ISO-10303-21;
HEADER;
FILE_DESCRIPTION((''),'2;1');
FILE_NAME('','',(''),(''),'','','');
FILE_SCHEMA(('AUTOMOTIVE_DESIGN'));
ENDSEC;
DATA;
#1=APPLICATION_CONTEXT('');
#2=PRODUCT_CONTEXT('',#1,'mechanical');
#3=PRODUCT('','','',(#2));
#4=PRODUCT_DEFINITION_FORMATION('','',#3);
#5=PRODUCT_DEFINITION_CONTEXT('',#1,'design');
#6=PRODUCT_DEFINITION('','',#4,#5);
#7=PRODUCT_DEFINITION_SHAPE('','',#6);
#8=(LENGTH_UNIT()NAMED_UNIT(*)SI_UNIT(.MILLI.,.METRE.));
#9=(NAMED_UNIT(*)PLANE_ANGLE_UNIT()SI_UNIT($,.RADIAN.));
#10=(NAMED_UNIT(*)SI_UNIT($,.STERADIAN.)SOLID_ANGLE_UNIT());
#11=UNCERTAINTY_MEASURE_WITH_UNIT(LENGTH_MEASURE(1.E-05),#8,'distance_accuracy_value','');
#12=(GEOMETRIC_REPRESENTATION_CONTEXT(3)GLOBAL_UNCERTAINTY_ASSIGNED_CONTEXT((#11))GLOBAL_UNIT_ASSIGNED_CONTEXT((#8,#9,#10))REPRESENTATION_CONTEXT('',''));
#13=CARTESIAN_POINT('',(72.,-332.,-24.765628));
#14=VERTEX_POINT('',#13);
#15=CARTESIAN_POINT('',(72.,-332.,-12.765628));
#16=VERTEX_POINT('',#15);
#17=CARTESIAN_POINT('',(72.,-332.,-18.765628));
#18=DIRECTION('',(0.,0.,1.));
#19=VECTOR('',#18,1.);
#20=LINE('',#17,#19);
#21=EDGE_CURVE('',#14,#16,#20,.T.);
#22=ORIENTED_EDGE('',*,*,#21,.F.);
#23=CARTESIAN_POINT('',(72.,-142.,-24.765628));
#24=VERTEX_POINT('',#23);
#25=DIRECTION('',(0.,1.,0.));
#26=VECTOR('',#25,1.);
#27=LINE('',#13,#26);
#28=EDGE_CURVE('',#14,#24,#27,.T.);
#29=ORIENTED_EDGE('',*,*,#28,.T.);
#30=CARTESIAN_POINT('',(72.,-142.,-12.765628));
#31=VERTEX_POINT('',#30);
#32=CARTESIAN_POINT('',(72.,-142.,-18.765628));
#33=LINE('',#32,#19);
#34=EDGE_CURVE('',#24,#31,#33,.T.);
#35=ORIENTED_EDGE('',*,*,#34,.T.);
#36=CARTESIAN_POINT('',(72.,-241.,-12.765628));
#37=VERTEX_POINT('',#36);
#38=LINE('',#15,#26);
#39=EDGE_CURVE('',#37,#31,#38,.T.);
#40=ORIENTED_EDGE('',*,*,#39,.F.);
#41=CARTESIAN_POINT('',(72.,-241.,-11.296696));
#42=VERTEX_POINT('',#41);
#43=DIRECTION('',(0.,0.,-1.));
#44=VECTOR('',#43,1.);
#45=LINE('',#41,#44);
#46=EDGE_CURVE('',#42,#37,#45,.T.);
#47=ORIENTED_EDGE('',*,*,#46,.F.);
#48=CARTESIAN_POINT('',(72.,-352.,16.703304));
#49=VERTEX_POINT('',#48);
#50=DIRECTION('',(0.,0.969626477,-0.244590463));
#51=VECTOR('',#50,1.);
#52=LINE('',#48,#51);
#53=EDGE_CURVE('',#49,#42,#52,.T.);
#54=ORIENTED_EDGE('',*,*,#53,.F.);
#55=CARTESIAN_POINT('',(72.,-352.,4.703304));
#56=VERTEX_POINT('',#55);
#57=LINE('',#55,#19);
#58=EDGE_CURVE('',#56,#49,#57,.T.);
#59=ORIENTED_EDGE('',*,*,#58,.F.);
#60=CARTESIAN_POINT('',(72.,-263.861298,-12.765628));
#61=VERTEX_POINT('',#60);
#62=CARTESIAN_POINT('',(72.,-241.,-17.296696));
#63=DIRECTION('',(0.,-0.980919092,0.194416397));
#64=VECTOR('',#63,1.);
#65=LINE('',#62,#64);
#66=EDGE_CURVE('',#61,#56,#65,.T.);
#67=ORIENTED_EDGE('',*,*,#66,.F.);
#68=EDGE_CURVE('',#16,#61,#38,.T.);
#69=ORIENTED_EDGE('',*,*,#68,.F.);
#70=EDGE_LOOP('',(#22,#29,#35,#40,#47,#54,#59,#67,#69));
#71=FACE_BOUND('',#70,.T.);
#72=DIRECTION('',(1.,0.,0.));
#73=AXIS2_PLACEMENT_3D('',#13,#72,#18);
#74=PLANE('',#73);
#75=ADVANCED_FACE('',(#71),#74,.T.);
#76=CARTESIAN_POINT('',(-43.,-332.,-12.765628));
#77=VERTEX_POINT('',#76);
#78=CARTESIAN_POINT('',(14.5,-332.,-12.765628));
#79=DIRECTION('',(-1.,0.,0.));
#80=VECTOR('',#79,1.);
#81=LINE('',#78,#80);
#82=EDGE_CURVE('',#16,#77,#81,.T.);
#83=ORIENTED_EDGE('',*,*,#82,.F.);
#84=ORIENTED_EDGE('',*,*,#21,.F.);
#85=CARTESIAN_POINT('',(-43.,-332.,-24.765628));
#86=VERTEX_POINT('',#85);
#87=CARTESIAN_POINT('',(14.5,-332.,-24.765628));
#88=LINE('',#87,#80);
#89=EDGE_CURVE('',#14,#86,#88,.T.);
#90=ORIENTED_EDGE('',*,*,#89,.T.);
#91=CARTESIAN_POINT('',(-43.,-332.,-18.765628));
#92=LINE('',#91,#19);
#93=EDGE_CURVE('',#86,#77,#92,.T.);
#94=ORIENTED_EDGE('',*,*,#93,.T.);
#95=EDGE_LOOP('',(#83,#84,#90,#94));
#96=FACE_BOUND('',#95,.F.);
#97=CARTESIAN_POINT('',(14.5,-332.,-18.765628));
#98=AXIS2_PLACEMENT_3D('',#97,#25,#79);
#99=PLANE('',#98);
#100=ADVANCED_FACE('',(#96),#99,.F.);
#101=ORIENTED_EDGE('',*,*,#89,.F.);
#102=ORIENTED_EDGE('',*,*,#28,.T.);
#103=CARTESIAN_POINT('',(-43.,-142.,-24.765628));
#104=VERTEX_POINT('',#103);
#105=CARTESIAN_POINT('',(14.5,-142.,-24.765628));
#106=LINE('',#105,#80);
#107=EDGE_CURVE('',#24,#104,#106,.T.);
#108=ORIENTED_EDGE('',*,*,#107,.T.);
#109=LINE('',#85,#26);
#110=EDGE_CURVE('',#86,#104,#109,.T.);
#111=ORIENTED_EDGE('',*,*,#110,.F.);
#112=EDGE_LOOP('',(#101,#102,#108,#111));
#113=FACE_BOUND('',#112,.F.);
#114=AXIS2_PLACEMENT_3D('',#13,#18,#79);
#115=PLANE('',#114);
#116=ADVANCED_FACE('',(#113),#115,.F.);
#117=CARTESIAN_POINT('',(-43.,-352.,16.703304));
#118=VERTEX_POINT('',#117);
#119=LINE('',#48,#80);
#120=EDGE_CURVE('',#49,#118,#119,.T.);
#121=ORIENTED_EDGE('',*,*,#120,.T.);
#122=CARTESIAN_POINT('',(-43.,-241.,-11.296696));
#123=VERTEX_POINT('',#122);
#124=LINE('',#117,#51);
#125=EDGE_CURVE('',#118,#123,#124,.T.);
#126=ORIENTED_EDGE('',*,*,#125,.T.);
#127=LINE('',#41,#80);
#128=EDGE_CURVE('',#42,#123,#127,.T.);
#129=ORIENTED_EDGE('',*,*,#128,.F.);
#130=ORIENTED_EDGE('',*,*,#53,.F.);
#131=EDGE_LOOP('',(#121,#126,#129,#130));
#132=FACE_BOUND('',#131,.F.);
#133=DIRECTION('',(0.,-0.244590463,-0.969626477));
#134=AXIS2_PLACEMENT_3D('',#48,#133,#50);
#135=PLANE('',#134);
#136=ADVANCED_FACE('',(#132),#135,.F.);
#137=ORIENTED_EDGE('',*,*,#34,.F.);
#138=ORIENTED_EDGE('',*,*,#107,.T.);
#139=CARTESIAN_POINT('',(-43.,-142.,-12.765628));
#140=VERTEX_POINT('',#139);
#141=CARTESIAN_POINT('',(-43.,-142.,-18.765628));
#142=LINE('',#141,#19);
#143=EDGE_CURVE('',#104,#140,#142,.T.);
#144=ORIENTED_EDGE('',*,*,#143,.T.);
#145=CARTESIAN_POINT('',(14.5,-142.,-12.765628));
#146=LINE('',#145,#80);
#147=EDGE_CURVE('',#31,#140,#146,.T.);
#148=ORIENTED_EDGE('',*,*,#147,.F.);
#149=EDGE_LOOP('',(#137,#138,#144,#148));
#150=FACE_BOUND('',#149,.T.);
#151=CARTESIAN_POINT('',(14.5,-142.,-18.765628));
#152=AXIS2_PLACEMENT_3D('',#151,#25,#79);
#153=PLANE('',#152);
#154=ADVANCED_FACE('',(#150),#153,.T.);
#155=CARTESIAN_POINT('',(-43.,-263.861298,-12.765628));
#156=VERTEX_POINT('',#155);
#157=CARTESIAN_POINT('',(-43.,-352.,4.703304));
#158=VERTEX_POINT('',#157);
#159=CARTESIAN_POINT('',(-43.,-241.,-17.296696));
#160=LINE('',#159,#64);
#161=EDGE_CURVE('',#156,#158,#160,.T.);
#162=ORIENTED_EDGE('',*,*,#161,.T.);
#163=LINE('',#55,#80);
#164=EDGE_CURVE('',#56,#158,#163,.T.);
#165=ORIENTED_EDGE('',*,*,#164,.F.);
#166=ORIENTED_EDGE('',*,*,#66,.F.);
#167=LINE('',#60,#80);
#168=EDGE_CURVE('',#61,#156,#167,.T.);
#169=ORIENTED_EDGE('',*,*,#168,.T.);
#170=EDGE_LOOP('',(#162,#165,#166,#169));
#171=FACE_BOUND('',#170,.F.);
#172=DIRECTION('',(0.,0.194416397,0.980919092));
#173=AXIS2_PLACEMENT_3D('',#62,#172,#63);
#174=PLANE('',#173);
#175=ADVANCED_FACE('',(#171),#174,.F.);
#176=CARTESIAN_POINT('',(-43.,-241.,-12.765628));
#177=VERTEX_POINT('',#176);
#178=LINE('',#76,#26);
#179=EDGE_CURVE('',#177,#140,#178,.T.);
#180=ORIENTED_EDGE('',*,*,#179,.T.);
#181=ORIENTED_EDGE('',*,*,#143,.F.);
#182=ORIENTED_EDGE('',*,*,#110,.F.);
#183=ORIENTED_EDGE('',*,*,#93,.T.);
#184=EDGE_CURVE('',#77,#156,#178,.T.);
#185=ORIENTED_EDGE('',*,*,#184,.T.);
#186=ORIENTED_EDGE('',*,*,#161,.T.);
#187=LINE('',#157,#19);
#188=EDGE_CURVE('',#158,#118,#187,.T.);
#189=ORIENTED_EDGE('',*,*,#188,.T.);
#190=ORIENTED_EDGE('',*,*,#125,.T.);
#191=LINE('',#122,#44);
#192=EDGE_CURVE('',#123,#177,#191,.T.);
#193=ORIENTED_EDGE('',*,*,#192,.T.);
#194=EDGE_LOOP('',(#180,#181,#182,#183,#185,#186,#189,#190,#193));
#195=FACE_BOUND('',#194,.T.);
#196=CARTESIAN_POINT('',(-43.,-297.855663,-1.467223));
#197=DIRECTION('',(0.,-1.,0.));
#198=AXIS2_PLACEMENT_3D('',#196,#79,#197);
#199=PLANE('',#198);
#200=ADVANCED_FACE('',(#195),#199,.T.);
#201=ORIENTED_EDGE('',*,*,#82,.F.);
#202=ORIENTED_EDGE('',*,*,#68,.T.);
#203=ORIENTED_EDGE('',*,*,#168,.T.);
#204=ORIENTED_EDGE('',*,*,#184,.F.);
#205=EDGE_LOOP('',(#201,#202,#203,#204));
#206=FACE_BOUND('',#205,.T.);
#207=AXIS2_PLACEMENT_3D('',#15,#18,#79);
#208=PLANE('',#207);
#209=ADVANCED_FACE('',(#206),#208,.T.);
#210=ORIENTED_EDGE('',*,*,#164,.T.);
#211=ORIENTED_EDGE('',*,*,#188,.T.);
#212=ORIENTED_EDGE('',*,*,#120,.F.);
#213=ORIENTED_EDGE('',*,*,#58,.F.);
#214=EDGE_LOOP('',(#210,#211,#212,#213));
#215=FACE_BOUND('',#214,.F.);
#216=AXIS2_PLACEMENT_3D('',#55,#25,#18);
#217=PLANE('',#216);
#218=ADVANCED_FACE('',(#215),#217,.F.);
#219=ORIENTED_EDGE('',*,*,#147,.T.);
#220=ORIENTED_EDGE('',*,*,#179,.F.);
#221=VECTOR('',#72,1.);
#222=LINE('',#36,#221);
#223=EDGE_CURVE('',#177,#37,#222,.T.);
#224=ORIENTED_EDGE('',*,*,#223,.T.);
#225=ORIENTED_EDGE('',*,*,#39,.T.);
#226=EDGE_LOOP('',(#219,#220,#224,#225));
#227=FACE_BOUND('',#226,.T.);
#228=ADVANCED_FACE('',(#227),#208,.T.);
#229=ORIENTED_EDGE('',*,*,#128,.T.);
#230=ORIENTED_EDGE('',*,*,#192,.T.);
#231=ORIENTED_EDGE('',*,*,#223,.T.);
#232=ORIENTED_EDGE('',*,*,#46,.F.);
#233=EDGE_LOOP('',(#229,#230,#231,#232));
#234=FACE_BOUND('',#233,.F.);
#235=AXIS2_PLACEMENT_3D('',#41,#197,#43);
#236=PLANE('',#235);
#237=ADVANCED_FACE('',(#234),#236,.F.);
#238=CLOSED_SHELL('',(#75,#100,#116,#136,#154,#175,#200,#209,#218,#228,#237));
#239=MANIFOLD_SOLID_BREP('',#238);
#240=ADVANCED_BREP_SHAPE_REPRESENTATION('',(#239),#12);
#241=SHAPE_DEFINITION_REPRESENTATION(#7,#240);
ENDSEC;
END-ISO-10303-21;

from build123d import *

# Parameters (mm, degrees)
PAD005_DEPTH           = 115
SKETCH004_W            = 115
SKETCH004_H            = 12
PAD004_DEPTH           = 190
FUSION_PLACEMENT_ANGLE = 180


with BuildPart() as body004:
    # CopySketch005 → Pad005 (new body)
    with BuildSketch(Plane.YZ):
        Polygon((-91, -17.296696), (20, 4.703304), (20, 16.703304), (-91, -11.296696), align=None)
    extrude(amount=PAD005_DEPTH)


with BuildPart() as fusion:
    # Sketch004 → Pad004 (new body)
    with BuildSketch(Plane.XZ):
        with Locations((57.5, -18.765628)):
            Rectangle(SKETCH004_W, SKETCH004_H)
    extrude(amount=PAD004_DEPTH)

    # Fusion: union Body004
    add(body004.part)


with BuildPart() as fusion_1:
    # Fusion placement: moved
    add(fusion.part.moved(Location((72, -332, 0))).rotate(Axis((72, -332, 0), (0, 0, 1)), FUSION_PLACEMENT_ANGLE))


solid = fusion_1.part
